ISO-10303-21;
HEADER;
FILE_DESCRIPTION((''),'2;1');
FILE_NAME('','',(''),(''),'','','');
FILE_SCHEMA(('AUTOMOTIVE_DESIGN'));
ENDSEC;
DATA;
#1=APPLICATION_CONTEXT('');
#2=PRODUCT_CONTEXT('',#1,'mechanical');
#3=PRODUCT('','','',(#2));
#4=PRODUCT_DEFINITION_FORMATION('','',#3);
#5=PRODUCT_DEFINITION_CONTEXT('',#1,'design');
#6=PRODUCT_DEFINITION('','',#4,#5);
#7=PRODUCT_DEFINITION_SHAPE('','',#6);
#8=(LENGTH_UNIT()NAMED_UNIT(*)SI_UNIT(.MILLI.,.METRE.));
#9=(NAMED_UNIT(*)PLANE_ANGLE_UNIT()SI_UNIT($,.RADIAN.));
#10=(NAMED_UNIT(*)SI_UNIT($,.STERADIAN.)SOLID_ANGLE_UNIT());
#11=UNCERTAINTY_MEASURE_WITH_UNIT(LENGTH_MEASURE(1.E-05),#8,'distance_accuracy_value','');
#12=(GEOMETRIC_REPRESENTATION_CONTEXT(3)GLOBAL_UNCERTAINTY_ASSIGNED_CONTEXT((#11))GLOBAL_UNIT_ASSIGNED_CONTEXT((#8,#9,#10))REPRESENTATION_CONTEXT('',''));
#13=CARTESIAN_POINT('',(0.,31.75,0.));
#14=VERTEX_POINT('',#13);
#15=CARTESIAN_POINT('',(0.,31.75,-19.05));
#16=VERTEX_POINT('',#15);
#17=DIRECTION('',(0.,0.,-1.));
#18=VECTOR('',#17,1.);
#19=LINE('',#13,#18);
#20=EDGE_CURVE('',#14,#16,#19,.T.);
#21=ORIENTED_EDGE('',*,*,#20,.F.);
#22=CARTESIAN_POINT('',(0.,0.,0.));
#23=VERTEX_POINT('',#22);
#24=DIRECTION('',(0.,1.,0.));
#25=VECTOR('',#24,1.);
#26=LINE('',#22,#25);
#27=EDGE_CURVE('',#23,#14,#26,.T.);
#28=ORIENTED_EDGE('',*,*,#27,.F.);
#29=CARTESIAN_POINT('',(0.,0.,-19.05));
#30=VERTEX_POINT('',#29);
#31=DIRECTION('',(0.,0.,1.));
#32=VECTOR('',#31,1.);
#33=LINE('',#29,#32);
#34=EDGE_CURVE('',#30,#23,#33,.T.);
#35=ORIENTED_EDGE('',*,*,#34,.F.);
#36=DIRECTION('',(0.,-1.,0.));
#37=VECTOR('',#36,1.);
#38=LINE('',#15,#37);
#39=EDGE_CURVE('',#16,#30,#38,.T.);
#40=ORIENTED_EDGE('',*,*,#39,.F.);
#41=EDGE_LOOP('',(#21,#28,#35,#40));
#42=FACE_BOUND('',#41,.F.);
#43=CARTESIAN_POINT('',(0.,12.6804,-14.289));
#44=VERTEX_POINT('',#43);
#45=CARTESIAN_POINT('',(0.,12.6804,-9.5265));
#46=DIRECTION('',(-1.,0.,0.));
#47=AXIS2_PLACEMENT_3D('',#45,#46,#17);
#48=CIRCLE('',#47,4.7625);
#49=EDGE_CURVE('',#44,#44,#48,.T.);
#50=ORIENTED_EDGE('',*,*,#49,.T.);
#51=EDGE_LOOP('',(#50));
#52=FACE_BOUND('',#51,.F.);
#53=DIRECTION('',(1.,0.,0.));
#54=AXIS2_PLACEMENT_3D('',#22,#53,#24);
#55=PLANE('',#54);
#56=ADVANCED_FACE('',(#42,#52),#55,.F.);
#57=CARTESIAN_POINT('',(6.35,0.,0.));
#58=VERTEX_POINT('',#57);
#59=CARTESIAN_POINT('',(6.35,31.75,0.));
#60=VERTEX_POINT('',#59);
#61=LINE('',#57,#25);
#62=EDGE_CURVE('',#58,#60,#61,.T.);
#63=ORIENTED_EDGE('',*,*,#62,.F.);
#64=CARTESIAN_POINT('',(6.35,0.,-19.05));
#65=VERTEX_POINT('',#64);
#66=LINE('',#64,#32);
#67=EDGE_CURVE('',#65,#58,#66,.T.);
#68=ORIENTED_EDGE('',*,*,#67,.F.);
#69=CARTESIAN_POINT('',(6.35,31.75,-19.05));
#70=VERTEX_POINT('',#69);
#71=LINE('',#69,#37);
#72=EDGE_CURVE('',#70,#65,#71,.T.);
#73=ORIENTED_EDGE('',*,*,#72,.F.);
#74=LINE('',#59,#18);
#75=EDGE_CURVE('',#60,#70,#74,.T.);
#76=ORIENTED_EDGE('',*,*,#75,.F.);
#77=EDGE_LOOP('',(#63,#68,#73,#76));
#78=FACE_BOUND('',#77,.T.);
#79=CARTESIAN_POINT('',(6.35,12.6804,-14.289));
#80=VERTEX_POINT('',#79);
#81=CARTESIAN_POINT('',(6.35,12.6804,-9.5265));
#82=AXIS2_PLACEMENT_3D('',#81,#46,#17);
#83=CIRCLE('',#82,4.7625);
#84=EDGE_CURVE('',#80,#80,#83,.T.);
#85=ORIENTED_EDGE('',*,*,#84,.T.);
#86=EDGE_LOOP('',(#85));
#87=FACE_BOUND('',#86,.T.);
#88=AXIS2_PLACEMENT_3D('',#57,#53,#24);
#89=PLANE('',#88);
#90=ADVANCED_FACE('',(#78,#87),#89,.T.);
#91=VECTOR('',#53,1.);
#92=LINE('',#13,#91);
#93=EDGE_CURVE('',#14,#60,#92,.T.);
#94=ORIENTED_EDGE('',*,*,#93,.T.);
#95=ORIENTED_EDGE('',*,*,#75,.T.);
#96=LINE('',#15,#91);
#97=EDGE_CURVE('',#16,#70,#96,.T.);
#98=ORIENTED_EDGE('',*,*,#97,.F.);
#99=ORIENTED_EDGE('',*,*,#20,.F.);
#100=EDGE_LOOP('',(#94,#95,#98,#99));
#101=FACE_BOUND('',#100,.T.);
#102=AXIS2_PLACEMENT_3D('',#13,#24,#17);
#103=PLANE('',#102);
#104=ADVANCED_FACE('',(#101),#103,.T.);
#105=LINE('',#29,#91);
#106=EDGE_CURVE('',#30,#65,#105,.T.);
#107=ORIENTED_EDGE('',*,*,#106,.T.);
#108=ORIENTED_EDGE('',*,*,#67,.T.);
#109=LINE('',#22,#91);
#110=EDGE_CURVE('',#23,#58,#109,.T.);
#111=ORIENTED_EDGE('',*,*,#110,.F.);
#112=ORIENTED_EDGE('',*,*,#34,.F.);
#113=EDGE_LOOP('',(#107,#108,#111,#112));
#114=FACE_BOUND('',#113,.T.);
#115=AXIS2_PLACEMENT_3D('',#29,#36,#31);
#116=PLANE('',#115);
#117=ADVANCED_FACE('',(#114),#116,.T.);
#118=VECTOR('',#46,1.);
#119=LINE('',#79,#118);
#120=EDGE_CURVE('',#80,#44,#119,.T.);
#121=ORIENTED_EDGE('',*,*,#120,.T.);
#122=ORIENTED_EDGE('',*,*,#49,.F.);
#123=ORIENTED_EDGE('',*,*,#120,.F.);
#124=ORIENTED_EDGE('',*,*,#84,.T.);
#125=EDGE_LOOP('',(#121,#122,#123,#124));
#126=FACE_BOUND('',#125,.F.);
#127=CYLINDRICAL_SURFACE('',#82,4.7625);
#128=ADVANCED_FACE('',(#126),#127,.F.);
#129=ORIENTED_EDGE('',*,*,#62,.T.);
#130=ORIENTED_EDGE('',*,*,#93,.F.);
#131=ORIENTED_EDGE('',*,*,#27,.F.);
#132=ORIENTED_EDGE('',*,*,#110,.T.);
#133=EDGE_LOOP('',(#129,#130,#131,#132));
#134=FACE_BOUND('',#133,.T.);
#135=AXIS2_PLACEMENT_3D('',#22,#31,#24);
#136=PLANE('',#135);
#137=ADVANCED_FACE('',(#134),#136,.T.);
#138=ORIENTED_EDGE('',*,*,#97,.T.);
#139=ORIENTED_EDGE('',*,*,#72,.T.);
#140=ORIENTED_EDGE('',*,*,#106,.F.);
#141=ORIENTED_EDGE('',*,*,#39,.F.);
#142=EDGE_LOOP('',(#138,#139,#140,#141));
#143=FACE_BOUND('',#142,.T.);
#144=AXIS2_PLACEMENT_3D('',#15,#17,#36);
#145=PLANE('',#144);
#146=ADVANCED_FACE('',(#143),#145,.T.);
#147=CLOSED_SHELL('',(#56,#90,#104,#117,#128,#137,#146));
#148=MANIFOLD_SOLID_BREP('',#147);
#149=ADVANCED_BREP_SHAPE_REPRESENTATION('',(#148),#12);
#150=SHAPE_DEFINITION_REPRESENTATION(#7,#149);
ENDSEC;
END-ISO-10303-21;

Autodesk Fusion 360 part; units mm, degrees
sketch "Sketch1" plane through (0, 0, 0) normal (1, 0, 0) x (0, 1, 0)
  line L0 (0, 0) -> (31.75, 0)
  line L1 (31.75, 0) -> (31.75, -19.05)
  line L2 (31.75, -19.05) -> (0, -19.05)
  line L3 (0, -19.05) -> (0, 0)
  dimension "d1" = 31.75
  dimension "d2" = 19.05
extrude "Extrude1" add sketch "Sketch1" along normal blind 6.35
sketch "Sketch2" plane through (6.35, 0, 0) normal (1, 0, 0) x (0, 1, 0)
  line L0 (0, -19.05) -> (31.75, -19.05)
  line L1 (31.75, -19.05) -> (31.75, 0)
  line L2 (31.75, 0) -> (0, 0)
  line L3 (0, 0) -> (0, -19.05)
sketch "Sketch3" plane through (6.35, 15.875, -9.525) normal (1, 0, 0) x (0, 1, 0)
  line L0 (15.5884, -0.1633) -> (9.2384, -0.1633)
  line L1 (-15.8946, -0.0015) -> (-3.1946, -0.0015)
  circle A0 centre (-3.1946, -0.0015) radius 4.7625
  dimension "d9" = 6.35
  dimension "d10" = 12.7
  dimension "d11" = 9.525
hole "Hole3" at (6.35, 12.6804, -9.5265) direction (-1, 0, 0) diameter 9.525 depth 50.8 tip angle 118
